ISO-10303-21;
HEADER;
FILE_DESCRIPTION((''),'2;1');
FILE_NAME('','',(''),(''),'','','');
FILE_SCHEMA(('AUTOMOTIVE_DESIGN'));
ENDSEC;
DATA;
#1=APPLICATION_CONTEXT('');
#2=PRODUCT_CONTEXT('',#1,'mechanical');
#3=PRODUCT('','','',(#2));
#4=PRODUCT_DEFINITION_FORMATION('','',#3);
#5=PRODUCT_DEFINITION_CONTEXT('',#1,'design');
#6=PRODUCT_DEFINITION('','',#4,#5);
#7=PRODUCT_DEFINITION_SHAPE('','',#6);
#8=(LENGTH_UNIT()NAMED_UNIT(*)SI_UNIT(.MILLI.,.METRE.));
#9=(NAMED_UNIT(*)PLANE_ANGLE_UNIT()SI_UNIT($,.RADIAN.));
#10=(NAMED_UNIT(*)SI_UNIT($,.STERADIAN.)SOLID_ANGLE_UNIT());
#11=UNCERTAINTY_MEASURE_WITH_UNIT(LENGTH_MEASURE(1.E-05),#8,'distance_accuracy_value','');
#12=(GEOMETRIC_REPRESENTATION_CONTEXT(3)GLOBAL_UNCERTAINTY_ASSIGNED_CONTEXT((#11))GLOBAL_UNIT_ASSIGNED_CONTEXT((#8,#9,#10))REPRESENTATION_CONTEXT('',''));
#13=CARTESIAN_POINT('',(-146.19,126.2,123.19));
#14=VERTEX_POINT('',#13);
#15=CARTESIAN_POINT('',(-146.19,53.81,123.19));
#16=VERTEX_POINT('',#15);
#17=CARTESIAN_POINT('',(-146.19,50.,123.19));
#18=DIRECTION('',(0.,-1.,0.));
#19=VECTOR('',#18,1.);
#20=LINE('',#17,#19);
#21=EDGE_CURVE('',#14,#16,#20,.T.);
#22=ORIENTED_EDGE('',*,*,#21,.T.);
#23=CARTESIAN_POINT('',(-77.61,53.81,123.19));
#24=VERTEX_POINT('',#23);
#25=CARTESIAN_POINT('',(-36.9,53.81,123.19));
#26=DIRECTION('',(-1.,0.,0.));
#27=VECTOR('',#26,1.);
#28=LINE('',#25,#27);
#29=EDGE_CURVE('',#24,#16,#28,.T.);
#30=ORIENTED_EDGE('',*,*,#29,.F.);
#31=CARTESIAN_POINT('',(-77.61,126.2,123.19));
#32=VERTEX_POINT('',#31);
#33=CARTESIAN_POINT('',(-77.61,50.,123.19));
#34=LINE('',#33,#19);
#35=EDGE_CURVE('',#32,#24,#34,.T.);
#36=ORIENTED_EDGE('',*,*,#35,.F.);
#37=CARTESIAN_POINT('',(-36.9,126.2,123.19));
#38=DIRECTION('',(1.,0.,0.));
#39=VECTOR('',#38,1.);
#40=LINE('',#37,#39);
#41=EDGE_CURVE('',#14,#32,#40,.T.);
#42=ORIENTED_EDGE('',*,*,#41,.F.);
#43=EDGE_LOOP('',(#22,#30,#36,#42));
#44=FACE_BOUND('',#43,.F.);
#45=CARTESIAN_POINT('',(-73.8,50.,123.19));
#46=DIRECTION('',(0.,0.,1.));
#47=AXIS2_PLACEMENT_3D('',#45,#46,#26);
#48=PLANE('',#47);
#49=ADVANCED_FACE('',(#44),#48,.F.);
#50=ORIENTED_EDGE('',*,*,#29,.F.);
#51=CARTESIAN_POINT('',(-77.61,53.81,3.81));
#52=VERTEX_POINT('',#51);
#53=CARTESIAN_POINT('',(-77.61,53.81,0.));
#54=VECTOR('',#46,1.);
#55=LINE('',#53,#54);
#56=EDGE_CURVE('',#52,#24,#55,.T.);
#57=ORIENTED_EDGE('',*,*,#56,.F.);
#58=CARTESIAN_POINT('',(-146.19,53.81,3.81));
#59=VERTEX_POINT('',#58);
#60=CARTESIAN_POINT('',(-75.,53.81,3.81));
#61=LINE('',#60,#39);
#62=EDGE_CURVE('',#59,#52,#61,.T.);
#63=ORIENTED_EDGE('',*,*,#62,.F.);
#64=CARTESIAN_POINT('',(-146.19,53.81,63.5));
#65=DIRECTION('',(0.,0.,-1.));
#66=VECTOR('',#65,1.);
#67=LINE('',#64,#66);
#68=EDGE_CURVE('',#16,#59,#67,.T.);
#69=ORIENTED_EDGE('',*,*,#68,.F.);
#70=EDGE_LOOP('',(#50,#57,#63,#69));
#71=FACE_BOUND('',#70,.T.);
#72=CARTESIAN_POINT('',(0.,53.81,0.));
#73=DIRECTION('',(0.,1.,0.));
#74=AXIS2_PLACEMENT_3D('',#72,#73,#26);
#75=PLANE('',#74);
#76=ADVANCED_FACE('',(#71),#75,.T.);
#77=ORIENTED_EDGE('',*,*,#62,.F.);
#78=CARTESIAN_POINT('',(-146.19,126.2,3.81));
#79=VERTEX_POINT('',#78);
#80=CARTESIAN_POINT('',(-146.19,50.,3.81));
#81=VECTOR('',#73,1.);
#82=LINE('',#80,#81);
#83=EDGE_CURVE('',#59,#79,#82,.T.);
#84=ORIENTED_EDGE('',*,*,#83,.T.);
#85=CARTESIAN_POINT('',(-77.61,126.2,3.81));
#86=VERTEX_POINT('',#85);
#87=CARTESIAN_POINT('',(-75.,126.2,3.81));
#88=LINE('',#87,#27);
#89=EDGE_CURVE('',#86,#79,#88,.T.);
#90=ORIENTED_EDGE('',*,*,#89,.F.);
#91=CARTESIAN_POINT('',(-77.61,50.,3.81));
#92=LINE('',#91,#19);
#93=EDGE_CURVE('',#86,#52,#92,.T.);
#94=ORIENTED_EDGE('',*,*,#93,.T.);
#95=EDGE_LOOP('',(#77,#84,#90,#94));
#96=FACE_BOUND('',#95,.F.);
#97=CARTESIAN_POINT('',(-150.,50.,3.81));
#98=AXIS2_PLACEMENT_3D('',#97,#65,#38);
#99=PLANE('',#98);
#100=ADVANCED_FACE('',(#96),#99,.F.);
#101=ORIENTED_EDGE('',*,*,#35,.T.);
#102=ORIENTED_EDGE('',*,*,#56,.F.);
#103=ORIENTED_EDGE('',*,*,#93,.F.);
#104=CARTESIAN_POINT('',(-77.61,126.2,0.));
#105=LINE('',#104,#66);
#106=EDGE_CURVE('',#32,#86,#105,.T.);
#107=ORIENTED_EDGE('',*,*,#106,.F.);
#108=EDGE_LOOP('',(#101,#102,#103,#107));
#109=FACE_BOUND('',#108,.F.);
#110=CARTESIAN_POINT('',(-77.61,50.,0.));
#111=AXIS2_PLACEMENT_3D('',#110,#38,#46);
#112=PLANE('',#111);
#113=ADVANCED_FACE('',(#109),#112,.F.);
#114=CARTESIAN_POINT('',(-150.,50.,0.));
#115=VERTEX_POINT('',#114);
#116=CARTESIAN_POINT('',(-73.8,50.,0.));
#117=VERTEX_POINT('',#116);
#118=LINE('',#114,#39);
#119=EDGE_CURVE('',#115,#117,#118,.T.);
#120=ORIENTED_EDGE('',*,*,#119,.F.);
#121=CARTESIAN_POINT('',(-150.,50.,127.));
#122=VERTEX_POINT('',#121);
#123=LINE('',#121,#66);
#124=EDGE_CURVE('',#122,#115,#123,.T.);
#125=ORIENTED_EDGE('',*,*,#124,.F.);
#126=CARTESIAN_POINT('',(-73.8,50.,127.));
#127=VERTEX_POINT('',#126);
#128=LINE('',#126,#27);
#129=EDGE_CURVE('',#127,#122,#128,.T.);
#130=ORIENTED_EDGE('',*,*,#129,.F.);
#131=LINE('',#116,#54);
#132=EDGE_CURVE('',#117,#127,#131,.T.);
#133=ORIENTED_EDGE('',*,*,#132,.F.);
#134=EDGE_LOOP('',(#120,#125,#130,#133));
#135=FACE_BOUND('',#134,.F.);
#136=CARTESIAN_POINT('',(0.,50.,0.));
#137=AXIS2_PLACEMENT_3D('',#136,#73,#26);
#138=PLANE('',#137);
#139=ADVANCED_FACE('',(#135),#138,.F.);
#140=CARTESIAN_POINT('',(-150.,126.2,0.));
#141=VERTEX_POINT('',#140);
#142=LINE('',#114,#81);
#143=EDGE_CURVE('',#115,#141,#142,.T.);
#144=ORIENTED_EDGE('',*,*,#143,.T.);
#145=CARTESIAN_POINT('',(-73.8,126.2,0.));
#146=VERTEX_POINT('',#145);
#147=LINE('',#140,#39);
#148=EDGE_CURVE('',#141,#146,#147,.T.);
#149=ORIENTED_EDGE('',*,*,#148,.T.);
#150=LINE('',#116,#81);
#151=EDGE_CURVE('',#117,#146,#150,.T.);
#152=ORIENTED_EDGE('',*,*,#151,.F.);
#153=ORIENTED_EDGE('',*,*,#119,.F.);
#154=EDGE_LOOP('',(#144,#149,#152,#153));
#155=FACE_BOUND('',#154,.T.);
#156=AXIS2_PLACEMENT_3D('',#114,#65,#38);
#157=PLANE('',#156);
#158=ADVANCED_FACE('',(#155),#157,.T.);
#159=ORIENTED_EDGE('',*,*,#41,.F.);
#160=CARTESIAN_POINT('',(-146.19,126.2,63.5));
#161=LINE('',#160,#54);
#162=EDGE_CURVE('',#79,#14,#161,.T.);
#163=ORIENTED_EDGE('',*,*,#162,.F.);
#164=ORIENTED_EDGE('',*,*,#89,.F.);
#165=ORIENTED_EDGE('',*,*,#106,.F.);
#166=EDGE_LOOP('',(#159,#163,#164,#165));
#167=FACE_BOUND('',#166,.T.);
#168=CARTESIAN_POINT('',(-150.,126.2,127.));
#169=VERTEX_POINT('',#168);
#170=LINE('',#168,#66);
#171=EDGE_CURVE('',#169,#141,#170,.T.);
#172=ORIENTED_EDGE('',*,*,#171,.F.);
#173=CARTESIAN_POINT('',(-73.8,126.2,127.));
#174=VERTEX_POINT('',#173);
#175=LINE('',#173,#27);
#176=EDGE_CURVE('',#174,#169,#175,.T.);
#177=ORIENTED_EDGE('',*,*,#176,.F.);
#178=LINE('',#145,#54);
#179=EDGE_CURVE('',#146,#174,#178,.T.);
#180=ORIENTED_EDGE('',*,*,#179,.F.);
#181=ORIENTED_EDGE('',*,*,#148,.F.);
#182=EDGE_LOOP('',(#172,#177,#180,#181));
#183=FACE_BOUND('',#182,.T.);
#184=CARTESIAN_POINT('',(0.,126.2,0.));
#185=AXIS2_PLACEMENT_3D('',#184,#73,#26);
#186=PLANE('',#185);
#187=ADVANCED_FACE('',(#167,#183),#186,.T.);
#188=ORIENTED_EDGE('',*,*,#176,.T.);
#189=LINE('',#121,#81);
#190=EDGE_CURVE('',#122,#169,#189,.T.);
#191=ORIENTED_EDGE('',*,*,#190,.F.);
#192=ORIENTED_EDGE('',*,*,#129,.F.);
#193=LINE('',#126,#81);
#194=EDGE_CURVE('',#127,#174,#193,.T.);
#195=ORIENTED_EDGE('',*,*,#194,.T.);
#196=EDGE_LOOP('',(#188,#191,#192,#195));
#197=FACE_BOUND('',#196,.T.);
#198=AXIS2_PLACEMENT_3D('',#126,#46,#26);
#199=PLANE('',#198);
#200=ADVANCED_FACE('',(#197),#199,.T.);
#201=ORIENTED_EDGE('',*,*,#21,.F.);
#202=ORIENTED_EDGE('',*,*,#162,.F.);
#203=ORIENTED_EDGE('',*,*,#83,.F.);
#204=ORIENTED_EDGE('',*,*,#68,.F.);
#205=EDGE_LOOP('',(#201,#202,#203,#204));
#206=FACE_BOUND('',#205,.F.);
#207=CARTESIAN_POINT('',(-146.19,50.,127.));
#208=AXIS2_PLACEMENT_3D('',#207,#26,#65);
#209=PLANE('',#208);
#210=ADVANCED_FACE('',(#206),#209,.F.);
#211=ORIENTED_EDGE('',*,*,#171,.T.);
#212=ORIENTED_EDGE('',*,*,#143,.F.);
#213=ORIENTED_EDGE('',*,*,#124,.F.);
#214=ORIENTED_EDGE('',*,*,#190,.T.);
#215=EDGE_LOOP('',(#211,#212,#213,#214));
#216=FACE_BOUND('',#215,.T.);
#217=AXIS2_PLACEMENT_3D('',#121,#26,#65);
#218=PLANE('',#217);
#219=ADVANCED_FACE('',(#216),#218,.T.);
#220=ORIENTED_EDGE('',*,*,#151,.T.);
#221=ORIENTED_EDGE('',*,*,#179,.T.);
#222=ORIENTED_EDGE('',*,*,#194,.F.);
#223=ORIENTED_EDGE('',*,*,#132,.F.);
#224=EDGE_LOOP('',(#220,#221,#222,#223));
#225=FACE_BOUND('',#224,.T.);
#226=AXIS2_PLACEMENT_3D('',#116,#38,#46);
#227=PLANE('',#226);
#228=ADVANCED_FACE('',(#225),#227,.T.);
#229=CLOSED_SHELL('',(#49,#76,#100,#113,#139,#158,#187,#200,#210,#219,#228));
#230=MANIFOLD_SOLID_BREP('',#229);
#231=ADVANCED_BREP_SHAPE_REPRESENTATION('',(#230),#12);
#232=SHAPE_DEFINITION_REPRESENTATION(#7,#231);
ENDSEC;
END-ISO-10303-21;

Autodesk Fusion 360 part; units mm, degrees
sketch "Sketch1" plane through (0, 0, 0) normal (0, 1, 0) x (1, 0, 0)
  line L0 (0, 0) -> (76.2, 0)
  line L1 (76.2, 0) -> (76.2, -203.2)
  line L2 (76.2, -203.2) -> (0, -203.2)
  line L3 (0, -203.2) -> (0, 0)
  dimension "d1" = 76.2
  dimension "d2" = 203.2
sketch "Sketch2" plane through (0, 50, 0) normal (0, 1, 0) x (-1, 0, 0)
  line L0 (0, 203.2) -> (-76.2, 203.2)
  line L1 (-76.2, 203.2) -> (-76.2, 0)
  line L2 (-76.2, 0) -> (0, 0)
  line L3 (0, 0) -> (0, 203.2)
  line L4 (150, 0) -> (73.8, 0)
  line L5 (73.8, 0) -> (73.8, 127)
  line L6 (73.8, 127) -> (150, 127)
  line L7 (150, 127) -> (150, 0)
  dimension "d8" = 76.2
  dimension "d9" = 127
extrude "Extrude2" add sketch "Sketch2" along normal blind 76.2 contours L4 L5 L6 L7
shell "Shell1" thickness 3.81 removed faces 1 at (-99.2, 126.2, 42.3333)
sketch "Sketch3" plane through (0, 0, 0) normal (0, 1, 0) x (1, 0, 0)
  line L0 (79.4367, 34.7313) -> (3.2367, 34.7313)
  line L1 (3.2367, 34.7313) -> (3.2367, 237.9313)
  line L2 (3.2367, 237.9313) -> (79.4367, 237.9313)
  line L3 (79.4367, 237.9313) -> (79.4367, 34.7313)
  dimension "d13" = 76.2
  dimension "d14" = 203.2
